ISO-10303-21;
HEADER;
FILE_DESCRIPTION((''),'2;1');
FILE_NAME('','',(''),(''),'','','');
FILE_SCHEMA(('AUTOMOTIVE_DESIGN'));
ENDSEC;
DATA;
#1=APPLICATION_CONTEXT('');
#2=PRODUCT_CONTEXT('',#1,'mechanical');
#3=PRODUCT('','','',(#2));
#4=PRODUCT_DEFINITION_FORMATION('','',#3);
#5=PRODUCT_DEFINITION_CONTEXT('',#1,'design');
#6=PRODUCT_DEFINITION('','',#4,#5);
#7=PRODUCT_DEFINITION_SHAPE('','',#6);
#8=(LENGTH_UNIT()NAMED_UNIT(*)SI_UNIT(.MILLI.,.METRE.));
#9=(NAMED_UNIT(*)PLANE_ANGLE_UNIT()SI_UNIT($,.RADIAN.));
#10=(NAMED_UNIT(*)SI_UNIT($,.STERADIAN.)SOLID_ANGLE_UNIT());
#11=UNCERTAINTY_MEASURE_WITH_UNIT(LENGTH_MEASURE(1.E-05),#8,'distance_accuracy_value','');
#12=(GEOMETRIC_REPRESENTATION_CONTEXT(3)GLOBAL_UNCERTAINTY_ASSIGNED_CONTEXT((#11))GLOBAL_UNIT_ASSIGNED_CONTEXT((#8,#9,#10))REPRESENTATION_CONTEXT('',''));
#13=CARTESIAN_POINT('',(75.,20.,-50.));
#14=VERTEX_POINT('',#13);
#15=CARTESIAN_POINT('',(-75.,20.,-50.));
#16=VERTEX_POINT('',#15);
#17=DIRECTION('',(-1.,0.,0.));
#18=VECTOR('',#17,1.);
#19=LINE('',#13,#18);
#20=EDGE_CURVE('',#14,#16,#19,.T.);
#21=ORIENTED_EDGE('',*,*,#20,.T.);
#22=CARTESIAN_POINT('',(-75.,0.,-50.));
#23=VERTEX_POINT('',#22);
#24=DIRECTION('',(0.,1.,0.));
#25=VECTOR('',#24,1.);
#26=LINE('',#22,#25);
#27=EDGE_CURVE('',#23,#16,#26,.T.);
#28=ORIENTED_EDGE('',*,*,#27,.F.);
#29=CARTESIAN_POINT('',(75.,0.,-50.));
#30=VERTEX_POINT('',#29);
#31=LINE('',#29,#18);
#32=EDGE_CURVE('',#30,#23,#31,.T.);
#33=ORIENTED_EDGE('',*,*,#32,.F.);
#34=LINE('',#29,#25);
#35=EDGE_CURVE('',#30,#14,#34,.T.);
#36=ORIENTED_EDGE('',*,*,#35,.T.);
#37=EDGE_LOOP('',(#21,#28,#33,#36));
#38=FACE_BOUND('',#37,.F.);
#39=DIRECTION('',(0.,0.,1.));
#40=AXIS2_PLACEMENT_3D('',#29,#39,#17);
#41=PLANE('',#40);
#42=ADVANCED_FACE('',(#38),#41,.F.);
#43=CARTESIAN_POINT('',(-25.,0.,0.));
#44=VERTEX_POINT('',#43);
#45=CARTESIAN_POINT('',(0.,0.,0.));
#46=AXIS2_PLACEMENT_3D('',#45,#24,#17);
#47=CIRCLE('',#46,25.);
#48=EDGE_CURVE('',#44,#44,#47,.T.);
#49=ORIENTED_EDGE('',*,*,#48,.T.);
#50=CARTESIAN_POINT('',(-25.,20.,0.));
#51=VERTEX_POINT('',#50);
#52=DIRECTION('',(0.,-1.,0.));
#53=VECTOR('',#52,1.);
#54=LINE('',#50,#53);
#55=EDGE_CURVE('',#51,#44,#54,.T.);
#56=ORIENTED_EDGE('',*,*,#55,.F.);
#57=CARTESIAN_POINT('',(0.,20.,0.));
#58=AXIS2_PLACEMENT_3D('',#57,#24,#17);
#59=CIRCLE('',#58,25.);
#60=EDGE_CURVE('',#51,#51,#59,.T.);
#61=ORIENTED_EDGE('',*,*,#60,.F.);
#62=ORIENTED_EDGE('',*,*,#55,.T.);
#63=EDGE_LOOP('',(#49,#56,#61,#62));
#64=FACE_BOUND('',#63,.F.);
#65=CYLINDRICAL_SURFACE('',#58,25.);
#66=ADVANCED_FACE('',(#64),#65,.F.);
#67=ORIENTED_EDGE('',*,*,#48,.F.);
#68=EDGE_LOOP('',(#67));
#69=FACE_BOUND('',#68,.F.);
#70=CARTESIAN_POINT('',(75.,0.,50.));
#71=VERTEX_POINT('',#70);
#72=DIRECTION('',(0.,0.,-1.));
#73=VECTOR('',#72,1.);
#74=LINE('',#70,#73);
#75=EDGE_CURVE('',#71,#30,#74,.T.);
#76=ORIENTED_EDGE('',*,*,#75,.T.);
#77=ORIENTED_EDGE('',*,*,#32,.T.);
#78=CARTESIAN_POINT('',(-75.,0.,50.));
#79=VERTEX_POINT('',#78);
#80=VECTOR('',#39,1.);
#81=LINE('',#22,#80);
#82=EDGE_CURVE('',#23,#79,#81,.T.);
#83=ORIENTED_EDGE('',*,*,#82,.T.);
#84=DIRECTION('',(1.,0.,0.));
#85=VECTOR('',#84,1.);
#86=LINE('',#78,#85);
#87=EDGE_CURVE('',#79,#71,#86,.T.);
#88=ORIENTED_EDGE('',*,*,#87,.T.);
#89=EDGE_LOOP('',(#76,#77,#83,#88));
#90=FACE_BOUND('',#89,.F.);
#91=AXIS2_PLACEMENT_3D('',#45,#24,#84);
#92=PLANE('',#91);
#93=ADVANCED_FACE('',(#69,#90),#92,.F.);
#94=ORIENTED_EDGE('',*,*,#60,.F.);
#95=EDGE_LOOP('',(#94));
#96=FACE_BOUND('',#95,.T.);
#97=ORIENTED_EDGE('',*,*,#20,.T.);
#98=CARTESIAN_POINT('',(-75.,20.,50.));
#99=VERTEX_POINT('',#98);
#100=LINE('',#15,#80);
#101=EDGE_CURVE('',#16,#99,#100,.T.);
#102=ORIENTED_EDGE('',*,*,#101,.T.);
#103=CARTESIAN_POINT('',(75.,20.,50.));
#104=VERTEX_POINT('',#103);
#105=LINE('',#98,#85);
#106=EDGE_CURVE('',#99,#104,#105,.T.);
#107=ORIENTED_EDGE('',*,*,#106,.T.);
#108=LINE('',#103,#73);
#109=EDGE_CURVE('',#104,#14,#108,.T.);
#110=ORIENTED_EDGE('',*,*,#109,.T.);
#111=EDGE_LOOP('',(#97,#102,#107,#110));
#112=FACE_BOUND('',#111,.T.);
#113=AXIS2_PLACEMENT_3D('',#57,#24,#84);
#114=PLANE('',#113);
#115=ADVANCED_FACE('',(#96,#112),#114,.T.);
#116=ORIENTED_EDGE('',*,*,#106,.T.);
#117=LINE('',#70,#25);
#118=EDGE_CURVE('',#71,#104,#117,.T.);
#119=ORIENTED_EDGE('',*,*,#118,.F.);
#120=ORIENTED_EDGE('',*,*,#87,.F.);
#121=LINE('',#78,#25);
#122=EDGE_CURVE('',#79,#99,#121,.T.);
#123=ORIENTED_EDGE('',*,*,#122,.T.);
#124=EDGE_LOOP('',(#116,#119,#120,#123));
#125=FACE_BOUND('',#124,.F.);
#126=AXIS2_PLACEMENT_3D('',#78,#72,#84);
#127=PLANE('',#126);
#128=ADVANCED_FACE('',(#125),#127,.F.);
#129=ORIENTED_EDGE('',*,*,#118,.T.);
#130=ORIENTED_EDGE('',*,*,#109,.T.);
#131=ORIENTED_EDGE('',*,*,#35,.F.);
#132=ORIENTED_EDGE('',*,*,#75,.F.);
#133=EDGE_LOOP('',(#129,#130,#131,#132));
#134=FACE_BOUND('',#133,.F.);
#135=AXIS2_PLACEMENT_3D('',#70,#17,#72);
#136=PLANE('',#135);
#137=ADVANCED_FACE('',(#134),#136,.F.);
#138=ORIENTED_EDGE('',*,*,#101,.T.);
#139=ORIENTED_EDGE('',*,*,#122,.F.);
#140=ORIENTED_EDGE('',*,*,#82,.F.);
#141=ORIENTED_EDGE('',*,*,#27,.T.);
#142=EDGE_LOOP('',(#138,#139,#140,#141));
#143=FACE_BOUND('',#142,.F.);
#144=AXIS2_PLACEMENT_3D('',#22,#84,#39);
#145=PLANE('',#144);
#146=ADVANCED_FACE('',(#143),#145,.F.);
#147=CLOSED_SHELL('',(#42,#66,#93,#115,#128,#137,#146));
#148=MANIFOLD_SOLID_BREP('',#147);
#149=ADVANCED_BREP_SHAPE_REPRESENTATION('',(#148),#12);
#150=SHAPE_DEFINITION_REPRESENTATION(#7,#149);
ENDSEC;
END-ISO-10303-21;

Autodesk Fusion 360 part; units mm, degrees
sketch "Sketch1" plane through (0, 0, 0) normal (0, 1, 0) x (1, 0, 0)
  line L0 (75, 50) -> (-75, 50)
  line L1 (-75, 50) -> (-75, -50)
  line L2 (-75, -50) -> (75, -50)
  line L3 (75, -50) -> (75, 50)
  line L4 (75, 50) -> (-75, -50) construction
  line L5 (-75, 50) -> (75, -50) construction
extrude "Extrude1" add sketch "Sketch1" along normal blind 20
sketch "Sketch2" plane through (0, 20, 0) normal (0, 1, 0) x (-1, 0, 0)
  line L0 (-75, 50) -> (-75, -50)
  line L1 (-75, -50) -> (75, -50)
  line L2 (75, -50) -> (75, 50)
  line L3 (75, 50) -> (-75, 50)
  circle A0 centre (0, 0) radius 25
extrude "Extrude2" cut sketch "Sketch2" against normal blind 20 contours A0
